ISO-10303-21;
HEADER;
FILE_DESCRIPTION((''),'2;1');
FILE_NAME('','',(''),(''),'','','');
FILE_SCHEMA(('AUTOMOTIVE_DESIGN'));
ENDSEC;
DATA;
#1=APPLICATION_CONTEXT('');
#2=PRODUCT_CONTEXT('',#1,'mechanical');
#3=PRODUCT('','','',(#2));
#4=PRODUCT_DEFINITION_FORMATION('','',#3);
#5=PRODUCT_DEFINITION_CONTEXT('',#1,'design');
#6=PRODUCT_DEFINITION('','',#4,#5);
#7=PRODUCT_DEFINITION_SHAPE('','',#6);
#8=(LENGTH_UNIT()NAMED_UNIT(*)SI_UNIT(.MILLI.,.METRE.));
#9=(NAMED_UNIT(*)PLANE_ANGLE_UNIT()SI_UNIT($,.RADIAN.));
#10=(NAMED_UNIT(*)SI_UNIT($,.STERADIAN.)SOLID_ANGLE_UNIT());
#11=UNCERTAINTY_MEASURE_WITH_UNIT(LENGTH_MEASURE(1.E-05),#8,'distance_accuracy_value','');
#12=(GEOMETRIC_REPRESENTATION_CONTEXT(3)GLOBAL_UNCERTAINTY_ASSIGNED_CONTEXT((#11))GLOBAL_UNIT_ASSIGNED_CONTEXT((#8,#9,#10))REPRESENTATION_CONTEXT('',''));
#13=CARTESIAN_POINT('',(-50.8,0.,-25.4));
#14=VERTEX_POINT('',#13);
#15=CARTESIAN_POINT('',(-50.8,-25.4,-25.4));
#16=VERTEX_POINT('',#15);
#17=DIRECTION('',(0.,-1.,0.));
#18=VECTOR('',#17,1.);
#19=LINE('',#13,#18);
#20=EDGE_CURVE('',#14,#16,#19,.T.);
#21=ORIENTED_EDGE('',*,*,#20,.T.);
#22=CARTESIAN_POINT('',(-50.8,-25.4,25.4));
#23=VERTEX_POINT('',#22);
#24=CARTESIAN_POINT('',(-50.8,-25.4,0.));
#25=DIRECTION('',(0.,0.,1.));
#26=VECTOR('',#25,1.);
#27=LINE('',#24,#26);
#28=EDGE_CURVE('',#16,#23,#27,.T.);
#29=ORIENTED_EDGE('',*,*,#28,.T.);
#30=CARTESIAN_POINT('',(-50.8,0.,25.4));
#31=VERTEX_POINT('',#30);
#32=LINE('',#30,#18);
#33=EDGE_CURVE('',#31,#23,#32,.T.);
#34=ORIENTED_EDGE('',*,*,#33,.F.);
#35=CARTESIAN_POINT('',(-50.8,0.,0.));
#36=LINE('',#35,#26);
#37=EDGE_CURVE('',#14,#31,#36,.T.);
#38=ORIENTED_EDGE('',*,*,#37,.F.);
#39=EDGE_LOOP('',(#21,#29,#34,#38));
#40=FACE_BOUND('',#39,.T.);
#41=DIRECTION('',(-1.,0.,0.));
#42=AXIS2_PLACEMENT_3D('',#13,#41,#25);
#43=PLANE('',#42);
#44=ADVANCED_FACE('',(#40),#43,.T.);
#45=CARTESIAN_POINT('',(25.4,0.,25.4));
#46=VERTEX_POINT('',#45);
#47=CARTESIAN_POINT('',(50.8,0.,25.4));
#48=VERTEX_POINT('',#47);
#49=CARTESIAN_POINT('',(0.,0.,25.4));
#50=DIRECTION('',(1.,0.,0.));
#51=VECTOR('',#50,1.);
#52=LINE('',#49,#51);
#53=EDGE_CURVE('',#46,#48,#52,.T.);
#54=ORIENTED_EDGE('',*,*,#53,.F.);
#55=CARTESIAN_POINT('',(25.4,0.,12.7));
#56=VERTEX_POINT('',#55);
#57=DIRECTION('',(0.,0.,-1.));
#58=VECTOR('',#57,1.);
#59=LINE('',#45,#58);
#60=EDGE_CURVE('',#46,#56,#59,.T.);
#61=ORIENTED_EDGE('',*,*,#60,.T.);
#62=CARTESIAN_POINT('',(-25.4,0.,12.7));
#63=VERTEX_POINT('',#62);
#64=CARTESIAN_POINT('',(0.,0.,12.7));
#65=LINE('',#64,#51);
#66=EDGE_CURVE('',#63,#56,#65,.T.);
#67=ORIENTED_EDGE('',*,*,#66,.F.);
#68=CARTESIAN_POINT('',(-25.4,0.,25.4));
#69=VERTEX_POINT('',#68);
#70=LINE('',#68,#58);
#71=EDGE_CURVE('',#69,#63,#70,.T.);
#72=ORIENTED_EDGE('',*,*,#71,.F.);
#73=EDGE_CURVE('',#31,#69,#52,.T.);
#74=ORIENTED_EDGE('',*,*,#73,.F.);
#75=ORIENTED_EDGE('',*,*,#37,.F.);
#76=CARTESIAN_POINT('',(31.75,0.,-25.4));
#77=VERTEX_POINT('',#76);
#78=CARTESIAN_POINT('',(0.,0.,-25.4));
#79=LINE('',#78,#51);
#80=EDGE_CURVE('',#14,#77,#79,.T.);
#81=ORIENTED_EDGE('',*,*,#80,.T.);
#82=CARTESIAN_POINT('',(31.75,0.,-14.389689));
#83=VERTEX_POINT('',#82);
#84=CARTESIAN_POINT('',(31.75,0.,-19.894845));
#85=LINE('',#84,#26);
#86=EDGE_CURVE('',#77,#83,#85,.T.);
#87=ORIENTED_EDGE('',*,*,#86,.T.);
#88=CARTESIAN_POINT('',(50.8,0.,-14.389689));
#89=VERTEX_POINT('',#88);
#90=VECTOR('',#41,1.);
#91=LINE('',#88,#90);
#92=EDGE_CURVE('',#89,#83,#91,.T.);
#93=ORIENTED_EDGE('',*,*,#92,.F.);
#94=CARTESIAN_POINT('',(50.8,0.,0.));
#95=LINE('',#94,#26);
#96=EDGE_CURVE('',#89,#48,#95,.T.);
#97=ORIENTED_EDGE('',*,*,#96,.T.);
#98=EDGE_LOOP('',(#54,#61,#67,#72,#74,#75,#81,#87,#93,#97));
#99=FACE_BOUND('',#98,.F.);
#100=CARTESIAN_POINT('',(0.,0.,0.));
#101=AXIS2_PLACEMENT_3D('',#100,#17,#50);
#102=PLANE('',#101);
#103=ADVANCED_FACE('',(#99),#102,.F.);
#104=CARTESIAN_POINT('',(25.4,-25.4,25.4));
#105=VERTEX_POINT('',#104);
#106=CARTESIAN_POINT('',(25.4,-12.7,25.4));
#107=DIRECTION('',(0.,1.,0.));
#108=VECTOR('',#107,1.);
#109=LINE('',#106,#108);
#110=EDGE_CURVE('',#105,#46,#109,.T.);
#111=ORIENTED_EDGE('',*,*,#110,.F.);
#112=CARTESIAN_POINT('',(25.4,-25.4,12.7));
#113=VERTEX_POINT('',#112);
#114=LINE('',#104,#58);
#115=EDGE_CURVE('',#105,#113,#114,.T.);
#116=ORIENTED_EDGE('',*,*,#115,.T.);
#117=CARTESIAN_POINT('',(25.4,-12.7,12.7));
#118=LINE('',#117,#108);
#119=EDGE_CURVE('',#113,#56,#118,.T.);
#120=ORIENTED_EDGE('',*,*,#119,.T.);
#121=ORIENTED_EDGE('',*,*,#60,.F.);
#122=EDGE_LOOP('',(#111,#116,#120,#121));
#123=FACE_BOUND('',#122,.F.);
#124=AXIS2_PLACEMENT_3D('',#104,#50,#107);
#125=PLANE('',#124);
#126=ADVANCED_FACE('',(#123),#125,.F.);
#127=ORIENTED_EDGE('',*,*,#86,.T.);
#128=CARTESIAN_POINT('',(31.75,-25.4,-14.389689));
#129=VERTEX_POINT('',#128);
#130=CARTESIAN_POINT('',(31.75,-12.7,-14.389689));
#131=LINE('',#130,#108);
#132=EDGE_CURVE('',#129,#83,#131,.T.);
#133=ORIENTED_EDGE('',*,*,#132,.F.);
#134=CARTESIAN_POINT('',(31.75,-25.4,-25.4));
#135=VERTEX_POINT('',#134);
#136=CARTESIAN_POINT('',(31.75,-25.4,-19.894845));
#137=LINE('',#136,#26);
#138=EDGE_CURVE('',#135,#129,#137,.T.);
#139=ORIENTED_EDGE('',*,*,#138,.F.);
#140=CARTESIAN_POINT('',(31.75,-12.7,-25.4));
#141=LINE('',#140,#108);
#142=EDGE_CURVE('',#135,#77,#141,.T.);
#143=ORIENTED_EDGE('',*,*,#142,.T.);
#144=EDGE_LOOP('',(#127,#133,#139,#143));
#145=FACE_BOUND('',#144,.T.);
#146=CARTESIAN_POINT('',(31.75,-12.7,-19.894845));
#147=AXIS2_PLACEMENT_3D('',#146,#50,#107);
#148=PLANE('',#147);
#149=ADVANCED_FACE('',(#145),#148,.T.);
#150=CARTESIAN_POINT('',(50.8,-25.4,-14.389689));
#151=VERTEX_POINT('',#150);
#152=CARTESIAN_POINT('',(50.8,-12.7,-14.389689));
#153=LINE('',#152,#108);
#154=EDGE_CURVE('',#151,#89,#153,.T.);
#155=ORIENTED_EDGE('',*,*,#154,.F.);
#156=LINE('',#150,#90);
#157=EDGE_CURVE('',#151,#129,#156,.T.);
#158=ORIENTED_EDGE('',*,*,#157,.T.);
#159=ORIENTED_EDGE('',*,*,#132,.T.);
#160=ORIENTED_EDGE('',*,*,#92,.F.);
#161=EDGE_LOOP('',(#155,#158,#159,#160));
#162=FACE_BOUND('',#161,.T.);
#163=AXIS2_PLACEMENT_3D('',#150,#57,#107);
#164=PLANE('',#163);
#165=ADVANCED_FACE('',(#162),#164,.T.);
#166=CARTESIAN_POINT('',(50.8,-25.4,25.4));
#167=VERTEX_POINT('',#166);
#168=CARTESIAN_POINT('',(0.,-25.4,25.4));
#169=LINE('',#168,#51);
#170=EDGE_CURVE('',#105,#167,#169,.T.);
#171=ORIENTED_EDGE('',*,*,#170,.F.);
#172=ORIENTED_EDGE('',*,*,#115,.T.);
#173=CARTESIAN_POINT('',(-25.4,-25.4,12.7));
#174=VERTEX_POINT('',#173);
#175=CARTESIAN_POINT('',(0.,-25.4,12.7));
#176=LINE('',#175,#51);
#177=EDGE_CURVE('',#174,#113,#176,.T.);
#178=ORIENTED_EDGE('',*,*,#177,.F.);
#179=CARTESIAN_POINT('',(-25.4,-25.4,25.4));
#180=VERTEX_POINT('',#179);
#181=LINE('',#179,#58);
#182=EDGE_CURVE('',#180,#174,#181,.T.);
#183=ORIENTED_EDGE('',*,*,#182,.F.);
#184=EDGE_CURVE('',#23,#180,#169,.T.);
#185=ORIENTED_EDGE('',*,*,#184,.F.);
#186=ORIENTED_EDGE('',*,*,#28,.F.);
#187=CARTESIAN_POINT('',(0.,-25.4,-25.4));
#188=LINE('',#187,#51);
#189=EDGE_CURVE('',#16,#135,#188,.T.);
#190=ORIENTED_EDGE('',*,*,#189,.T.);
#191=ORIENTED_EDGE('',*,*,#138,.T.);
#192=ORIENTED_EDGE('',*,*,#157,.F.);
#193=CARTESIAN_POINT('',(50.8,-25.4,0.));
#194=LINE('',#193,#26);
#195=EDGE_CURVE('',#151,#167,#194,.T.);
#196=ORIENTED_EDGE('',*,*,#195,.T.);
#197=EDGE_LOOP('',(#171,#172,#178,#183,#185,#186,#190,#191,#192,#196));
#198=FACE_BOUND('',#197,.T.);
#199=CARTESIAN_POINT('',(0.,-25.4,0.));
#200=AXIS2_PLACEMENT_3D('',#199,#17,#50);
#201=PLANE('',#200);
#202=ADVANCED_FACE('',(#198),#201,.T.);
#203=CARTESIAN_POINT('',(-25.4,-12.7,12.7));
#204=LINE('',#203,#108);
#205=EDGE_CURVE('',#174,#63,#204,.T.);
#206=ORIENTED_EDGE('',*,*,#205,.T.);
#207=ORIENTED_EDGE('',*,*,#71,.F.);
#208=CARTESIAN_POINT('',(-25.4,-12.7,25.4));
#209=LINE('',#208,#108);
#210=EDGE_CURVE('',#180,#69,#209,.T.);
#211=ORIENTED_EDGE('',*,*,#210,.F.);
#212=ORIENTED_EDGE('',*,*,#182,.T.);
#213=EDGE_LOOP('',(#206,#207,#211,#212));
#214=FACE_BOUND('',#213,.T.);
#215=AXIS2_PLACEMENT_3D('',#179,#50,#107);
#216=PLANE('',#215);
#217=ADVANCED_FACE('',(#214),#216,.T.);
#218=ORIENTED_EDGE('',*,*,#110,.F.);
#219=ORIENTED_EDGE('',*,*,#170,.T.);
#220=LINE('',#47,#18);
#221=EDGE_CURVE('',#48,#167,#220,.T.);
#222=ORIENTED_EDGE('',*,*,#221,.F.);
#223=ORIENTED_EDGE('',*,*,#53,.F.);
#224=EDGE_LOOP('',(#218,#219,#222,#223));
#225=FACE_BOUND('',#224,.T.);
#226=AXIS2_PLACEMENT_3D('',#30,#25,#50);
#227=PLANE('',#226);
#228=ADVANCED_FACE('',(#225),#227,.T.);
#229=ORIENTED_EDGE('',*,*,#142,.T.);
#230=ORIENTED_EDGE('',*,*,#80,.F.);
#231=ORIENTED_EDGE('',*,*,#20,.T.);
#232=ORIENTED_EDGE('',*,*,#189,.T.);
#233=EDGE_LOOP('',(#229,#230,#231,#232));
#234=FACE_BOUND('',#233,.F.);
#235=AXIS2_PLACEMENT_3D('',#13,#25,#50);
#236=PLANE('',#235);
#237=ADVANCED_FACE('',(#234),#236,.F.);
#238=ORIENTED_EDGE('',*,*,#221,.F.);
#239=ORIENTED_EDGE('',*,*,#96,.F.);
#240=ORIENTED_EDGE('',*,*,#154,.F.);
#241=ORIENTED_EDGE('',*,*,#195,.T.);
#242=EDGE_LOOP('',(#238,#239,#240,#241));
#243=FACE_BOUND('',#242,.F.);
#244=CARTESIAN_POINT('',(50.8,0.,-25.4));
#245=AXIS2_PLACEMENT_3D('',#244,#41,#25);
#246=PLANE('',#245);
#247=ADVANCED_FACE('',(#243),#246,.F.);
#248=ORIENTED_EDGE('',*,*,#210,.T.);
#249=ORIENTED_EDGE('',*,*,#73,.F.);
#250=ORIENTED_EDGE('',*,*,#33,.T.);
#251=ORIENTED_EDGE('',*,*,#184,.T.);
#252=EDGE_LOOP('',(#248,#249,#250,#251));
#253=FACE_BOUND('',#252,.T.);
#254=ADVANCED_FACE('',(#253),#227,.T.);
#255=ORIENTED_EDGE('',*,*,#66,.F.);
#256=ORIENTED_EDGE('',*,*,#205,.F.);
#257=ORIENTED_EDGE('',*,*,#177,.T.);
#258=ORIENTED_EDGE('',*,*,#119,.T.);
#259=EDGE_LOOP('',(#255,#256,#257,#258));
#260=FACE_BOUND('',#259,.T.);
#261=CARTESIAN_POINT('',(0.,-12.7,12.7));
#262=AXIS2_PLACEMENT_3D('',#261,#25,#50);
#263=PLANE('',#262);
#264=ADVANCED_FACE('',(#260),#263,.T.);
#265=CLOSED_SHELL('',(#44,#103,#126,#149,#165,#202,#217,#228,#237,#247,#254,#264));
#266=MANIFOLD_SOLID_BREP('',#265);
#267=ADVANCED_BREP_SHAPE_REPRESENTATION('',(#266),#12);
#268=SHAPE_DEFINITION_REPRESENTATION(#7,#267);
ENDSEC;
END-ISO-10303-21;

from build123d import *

# Parameters (mm, degrees)
F0_W     = 101.6
F0_H     = 50.8
F1_DEPTH = 25.4
F2_W     = 50.8
F2_H     = 25.4
F3_DEPTH = 12.7
F4_W     = 25.4
F4_H     = 11.0103109196
F5_DEPTH = 19.05


with BuildPart() as f1:
    # F0 (on Front) → F1 (new body)
    with BuildSketch(Plane.XZ):
        Rectangle(F0_W, F0_H)
    extrude(amount=F1_DEPTH)

    # F2 (on face) → F3 (cut)
    with BuildSketch(Plane.XY.offset(25.4)):
        with Locations((0, -12.7)):
            Rectangle(F2_W, F2_H)
    extrude(amount=-F3_DEPTH, mode=Mode.SUBTRACT)

    # F4 (on face) → F5 (cut)
    with BuildSketch(Plane.YZ.offset(50.8)):
        with Locations((-12.7, -19.8948445402)):
            Rectangle(F4_W, F4_H)
    extrude(amount=-F5_DEPTH, mode=Mode.SUBTRACT)


solid = f1.part
